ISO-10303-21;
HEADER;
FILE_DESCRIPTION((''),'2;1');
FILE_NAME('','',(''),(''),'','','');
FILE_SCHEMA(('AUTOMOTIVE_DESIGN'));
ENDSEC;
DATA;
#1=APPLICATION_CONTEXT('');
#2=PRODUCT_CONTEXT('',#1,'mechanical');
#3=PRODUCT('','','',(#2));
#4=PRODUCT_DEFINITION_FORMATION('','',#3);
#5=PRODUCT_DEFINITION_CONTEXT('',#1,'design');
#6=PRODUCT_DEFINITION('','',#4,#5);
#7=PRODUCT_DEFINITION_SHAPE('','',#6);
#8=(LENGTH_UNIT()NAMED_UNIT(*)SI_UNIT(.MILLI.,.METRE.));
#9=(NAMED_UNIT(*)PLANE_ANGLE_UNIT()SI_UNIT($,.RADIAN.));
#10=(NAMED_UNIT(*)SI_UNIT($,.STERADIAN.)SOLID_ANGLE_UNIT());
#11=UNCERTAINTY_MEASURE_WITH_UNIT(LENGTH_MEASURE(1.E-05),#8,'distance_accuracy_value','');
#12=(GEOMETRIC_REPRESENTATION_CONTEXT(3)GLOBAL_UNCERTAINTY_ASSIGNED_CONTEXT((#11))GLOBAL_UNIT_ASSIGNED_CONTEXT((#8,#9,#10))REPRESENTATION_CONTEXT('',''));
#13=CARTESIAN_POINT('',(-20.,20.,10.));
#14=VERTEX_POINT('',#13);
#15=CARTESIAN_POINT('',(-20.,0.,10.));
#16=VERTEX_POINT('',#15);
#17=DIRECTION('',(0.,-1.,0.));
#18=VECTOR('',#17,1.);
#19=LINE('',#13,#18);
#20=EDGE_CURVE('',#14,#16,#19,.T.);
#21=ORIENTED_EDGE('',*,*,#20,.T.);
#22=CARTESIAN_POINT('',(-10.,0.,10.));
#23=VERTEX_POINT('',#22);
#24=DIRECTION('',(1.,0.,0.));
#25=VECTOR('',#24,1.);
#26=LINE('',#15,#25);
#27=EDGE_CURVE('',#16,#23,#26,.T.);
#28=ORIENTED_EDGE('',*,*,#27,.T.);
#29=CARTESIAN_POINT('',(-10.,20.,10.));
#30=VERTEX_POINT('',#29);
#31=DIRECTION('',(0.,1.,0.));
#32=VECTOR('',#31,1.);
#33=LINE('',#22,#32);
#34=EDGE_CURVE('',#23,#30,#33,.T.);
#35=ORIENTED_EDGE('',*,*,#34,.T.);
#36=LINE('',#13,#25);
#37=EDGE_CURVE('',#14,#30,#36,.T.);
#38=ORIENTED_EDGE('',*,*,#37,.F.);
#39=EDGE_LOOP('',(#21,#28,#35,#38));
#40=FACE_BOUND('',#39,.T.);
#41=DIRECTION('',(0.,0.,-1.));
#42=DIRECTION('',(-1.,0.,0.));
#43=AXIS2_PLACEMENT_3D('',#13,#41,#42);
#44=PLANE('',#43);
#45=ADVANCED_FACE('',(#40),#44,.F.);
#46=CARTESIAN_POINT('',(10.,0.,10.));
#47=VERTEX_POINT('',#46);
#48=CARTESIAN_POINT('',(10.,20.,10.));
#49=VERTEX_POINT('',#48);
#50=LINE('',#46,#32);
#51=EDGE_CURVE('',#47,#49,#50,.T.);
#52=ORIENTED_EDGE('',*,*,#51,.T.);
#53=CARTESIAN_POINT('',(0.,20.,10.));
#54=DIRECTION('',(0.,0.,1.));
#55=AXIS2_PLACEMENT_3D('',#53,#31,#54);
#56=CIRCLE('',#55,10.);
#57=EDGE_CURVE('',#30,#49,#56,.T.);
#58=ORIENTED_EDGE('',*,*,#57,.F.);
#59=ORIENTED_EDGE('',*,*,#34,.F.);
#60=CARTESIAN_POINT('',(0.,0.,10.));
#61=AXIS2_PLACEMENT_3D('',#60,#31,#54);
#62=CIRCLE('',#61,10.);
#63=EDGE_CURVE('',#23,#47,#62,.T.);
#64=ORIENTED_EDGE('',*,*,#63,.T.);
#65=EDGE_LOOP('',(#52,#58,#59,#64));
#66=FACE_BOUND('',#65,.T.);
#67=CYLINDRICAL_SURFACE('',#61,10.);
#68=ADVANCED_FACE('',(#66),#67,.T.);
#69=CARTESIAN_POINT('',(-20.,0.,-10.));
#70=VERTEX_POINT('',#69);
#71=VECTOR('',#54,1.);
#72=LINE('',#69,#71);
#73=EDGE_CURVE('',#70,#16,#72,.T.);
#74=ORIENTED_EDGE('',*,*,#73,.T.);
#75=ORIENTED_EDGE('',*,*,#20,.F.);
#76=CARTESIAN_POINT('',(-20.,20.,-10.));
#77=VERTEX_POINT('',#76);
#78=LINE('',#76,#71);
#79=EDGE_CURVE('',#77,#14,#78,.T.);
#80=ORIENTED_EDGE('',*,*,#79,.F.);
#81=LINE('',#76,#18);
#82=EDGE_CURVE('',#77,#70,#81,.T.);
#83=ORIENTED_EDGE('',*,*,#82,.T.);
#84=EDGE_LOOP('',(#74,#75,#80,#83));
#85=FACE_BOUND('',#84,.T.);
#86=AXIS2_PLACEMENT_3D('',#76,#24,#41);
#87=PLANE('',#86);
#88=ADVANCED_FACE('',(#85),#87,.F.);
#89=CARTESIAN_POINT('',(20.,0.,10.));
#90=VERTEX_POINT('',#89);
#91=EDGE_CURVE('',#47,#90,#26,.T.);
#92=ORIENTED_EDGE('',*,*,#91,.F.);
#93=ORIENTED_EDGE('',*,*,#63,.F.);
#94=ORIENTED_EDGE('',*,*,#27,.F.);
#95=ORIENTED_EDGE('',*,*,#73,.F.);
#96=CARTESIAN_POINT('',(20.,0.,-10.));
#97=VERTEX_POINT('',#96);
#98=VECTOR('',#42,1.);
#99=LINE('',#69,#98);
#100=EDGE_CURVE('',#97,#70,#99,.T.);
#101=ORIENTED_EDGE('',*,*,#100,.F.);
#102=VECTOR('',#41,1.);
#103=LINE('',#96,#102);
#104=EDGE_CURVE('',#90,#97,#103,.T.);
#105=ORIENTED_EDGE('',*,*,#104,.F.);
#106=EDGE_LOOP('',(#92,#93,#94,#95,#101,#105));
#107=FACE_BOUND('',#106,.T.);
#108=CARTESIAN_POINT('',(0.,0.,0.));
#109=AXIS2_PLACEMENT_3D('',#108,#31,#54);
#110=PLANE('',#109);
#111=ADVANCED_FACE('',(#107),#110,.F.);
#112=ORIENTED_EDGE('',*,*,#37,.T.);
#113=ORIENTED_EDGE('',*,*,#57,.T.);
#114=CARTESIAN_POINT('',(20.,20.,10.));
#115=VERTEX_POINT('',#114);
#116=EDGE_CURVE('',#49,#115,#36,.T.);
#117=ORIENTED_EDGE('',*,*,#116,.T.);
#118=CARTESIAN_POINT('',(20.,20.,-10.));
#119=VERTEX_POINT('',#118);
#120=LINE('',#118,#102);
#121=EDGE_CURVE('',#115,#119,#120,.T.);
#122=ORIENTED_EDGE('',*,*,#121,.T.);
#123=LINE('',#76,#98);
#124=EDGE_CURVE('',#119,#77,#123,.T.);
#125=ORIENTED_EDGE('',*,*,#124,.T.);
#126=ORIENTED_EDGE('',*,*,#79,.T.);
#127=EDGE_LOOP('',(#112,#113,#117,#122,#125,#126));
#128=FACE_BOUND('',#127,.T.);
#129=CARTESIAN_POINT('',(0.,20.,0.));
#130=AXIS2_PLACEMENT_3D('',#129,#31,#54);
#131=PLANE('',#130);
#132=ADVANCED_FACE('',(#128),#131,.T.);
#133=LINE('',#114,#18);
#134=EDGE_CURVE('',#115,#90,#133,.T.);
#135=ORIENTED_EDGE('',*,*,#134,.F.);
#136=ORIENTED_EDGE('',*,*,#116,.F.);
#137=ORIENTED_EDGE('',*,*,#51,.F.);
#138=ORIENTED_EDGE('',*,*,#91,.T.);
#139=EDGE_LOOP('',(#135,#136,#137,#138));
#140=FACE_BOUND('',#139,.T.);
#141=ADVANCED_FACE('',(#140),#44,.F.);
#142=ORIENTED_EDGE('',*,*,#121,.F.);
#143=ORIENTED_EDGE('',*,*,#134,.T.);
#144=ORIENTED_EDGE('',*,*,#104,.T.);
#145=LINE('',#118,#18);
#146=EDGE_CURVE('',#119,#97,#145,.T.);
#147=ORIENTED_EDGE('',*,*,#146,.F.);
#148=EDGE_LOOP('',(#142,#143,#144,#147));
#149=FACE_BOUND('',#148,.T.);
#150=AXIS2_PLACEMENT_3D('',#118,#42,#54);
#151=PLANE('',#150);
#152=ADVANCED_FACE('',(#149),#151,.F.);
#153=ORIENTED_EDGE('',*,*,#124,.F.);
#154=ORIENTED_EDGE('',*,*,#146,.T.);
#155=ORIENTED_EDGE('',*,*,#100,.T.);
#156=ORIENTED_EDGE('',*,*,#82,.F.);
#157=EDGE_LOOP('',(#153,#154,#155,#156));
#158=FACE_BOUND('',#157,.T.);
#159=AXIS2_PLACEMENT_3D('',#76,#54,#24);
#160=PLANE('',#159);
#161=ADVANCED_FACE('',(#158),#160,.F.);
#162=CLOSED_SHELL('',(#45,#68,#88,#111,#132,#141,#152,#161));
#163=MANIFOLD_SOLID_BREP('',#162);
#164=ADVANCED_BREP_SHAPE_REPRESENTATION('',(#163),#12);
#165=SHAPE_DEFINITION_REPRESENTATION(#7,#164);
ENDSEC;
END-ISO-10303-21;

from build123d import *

# Parameters (mm, degrees)
CROQUIS1_W              = 40
CROQUIS1_H              = 20
SALIENTE_EXTRUIR1_DEPTH = 20
SALIENTE_EXTRUIR2_DEPTH = 20


with BuildPart() as part:
    # Croquis1 → Saliente-Extruir1 (new body)
    with BuildSketch(Plane(origin=(0, 0, 0), x_dir=(1, 0, 0), z_dir=(0, 1, 0))):
        Rectangle(CROQUIS1_W, CROQUIS1_H)
    extrude(amount=SALIENTE_EXTRUIR1_DEPTH)

    # Croquis2 → Saliente-Extruir2 (add)
    with BuildSketch(Plane(origin=(0, 20, 0), x_dir=(1, 0, 0), z_dir=(0, 1, 0))):
        with BuildLine():
            Line((-10, -10), (10, -10))
            ThreePointArc((10, -10), (0, -20), (-10, -10))
        make_face()
    extrude(amount=-SALIENTE_EXTRUIR2_DEPTH)


solid = part.part
